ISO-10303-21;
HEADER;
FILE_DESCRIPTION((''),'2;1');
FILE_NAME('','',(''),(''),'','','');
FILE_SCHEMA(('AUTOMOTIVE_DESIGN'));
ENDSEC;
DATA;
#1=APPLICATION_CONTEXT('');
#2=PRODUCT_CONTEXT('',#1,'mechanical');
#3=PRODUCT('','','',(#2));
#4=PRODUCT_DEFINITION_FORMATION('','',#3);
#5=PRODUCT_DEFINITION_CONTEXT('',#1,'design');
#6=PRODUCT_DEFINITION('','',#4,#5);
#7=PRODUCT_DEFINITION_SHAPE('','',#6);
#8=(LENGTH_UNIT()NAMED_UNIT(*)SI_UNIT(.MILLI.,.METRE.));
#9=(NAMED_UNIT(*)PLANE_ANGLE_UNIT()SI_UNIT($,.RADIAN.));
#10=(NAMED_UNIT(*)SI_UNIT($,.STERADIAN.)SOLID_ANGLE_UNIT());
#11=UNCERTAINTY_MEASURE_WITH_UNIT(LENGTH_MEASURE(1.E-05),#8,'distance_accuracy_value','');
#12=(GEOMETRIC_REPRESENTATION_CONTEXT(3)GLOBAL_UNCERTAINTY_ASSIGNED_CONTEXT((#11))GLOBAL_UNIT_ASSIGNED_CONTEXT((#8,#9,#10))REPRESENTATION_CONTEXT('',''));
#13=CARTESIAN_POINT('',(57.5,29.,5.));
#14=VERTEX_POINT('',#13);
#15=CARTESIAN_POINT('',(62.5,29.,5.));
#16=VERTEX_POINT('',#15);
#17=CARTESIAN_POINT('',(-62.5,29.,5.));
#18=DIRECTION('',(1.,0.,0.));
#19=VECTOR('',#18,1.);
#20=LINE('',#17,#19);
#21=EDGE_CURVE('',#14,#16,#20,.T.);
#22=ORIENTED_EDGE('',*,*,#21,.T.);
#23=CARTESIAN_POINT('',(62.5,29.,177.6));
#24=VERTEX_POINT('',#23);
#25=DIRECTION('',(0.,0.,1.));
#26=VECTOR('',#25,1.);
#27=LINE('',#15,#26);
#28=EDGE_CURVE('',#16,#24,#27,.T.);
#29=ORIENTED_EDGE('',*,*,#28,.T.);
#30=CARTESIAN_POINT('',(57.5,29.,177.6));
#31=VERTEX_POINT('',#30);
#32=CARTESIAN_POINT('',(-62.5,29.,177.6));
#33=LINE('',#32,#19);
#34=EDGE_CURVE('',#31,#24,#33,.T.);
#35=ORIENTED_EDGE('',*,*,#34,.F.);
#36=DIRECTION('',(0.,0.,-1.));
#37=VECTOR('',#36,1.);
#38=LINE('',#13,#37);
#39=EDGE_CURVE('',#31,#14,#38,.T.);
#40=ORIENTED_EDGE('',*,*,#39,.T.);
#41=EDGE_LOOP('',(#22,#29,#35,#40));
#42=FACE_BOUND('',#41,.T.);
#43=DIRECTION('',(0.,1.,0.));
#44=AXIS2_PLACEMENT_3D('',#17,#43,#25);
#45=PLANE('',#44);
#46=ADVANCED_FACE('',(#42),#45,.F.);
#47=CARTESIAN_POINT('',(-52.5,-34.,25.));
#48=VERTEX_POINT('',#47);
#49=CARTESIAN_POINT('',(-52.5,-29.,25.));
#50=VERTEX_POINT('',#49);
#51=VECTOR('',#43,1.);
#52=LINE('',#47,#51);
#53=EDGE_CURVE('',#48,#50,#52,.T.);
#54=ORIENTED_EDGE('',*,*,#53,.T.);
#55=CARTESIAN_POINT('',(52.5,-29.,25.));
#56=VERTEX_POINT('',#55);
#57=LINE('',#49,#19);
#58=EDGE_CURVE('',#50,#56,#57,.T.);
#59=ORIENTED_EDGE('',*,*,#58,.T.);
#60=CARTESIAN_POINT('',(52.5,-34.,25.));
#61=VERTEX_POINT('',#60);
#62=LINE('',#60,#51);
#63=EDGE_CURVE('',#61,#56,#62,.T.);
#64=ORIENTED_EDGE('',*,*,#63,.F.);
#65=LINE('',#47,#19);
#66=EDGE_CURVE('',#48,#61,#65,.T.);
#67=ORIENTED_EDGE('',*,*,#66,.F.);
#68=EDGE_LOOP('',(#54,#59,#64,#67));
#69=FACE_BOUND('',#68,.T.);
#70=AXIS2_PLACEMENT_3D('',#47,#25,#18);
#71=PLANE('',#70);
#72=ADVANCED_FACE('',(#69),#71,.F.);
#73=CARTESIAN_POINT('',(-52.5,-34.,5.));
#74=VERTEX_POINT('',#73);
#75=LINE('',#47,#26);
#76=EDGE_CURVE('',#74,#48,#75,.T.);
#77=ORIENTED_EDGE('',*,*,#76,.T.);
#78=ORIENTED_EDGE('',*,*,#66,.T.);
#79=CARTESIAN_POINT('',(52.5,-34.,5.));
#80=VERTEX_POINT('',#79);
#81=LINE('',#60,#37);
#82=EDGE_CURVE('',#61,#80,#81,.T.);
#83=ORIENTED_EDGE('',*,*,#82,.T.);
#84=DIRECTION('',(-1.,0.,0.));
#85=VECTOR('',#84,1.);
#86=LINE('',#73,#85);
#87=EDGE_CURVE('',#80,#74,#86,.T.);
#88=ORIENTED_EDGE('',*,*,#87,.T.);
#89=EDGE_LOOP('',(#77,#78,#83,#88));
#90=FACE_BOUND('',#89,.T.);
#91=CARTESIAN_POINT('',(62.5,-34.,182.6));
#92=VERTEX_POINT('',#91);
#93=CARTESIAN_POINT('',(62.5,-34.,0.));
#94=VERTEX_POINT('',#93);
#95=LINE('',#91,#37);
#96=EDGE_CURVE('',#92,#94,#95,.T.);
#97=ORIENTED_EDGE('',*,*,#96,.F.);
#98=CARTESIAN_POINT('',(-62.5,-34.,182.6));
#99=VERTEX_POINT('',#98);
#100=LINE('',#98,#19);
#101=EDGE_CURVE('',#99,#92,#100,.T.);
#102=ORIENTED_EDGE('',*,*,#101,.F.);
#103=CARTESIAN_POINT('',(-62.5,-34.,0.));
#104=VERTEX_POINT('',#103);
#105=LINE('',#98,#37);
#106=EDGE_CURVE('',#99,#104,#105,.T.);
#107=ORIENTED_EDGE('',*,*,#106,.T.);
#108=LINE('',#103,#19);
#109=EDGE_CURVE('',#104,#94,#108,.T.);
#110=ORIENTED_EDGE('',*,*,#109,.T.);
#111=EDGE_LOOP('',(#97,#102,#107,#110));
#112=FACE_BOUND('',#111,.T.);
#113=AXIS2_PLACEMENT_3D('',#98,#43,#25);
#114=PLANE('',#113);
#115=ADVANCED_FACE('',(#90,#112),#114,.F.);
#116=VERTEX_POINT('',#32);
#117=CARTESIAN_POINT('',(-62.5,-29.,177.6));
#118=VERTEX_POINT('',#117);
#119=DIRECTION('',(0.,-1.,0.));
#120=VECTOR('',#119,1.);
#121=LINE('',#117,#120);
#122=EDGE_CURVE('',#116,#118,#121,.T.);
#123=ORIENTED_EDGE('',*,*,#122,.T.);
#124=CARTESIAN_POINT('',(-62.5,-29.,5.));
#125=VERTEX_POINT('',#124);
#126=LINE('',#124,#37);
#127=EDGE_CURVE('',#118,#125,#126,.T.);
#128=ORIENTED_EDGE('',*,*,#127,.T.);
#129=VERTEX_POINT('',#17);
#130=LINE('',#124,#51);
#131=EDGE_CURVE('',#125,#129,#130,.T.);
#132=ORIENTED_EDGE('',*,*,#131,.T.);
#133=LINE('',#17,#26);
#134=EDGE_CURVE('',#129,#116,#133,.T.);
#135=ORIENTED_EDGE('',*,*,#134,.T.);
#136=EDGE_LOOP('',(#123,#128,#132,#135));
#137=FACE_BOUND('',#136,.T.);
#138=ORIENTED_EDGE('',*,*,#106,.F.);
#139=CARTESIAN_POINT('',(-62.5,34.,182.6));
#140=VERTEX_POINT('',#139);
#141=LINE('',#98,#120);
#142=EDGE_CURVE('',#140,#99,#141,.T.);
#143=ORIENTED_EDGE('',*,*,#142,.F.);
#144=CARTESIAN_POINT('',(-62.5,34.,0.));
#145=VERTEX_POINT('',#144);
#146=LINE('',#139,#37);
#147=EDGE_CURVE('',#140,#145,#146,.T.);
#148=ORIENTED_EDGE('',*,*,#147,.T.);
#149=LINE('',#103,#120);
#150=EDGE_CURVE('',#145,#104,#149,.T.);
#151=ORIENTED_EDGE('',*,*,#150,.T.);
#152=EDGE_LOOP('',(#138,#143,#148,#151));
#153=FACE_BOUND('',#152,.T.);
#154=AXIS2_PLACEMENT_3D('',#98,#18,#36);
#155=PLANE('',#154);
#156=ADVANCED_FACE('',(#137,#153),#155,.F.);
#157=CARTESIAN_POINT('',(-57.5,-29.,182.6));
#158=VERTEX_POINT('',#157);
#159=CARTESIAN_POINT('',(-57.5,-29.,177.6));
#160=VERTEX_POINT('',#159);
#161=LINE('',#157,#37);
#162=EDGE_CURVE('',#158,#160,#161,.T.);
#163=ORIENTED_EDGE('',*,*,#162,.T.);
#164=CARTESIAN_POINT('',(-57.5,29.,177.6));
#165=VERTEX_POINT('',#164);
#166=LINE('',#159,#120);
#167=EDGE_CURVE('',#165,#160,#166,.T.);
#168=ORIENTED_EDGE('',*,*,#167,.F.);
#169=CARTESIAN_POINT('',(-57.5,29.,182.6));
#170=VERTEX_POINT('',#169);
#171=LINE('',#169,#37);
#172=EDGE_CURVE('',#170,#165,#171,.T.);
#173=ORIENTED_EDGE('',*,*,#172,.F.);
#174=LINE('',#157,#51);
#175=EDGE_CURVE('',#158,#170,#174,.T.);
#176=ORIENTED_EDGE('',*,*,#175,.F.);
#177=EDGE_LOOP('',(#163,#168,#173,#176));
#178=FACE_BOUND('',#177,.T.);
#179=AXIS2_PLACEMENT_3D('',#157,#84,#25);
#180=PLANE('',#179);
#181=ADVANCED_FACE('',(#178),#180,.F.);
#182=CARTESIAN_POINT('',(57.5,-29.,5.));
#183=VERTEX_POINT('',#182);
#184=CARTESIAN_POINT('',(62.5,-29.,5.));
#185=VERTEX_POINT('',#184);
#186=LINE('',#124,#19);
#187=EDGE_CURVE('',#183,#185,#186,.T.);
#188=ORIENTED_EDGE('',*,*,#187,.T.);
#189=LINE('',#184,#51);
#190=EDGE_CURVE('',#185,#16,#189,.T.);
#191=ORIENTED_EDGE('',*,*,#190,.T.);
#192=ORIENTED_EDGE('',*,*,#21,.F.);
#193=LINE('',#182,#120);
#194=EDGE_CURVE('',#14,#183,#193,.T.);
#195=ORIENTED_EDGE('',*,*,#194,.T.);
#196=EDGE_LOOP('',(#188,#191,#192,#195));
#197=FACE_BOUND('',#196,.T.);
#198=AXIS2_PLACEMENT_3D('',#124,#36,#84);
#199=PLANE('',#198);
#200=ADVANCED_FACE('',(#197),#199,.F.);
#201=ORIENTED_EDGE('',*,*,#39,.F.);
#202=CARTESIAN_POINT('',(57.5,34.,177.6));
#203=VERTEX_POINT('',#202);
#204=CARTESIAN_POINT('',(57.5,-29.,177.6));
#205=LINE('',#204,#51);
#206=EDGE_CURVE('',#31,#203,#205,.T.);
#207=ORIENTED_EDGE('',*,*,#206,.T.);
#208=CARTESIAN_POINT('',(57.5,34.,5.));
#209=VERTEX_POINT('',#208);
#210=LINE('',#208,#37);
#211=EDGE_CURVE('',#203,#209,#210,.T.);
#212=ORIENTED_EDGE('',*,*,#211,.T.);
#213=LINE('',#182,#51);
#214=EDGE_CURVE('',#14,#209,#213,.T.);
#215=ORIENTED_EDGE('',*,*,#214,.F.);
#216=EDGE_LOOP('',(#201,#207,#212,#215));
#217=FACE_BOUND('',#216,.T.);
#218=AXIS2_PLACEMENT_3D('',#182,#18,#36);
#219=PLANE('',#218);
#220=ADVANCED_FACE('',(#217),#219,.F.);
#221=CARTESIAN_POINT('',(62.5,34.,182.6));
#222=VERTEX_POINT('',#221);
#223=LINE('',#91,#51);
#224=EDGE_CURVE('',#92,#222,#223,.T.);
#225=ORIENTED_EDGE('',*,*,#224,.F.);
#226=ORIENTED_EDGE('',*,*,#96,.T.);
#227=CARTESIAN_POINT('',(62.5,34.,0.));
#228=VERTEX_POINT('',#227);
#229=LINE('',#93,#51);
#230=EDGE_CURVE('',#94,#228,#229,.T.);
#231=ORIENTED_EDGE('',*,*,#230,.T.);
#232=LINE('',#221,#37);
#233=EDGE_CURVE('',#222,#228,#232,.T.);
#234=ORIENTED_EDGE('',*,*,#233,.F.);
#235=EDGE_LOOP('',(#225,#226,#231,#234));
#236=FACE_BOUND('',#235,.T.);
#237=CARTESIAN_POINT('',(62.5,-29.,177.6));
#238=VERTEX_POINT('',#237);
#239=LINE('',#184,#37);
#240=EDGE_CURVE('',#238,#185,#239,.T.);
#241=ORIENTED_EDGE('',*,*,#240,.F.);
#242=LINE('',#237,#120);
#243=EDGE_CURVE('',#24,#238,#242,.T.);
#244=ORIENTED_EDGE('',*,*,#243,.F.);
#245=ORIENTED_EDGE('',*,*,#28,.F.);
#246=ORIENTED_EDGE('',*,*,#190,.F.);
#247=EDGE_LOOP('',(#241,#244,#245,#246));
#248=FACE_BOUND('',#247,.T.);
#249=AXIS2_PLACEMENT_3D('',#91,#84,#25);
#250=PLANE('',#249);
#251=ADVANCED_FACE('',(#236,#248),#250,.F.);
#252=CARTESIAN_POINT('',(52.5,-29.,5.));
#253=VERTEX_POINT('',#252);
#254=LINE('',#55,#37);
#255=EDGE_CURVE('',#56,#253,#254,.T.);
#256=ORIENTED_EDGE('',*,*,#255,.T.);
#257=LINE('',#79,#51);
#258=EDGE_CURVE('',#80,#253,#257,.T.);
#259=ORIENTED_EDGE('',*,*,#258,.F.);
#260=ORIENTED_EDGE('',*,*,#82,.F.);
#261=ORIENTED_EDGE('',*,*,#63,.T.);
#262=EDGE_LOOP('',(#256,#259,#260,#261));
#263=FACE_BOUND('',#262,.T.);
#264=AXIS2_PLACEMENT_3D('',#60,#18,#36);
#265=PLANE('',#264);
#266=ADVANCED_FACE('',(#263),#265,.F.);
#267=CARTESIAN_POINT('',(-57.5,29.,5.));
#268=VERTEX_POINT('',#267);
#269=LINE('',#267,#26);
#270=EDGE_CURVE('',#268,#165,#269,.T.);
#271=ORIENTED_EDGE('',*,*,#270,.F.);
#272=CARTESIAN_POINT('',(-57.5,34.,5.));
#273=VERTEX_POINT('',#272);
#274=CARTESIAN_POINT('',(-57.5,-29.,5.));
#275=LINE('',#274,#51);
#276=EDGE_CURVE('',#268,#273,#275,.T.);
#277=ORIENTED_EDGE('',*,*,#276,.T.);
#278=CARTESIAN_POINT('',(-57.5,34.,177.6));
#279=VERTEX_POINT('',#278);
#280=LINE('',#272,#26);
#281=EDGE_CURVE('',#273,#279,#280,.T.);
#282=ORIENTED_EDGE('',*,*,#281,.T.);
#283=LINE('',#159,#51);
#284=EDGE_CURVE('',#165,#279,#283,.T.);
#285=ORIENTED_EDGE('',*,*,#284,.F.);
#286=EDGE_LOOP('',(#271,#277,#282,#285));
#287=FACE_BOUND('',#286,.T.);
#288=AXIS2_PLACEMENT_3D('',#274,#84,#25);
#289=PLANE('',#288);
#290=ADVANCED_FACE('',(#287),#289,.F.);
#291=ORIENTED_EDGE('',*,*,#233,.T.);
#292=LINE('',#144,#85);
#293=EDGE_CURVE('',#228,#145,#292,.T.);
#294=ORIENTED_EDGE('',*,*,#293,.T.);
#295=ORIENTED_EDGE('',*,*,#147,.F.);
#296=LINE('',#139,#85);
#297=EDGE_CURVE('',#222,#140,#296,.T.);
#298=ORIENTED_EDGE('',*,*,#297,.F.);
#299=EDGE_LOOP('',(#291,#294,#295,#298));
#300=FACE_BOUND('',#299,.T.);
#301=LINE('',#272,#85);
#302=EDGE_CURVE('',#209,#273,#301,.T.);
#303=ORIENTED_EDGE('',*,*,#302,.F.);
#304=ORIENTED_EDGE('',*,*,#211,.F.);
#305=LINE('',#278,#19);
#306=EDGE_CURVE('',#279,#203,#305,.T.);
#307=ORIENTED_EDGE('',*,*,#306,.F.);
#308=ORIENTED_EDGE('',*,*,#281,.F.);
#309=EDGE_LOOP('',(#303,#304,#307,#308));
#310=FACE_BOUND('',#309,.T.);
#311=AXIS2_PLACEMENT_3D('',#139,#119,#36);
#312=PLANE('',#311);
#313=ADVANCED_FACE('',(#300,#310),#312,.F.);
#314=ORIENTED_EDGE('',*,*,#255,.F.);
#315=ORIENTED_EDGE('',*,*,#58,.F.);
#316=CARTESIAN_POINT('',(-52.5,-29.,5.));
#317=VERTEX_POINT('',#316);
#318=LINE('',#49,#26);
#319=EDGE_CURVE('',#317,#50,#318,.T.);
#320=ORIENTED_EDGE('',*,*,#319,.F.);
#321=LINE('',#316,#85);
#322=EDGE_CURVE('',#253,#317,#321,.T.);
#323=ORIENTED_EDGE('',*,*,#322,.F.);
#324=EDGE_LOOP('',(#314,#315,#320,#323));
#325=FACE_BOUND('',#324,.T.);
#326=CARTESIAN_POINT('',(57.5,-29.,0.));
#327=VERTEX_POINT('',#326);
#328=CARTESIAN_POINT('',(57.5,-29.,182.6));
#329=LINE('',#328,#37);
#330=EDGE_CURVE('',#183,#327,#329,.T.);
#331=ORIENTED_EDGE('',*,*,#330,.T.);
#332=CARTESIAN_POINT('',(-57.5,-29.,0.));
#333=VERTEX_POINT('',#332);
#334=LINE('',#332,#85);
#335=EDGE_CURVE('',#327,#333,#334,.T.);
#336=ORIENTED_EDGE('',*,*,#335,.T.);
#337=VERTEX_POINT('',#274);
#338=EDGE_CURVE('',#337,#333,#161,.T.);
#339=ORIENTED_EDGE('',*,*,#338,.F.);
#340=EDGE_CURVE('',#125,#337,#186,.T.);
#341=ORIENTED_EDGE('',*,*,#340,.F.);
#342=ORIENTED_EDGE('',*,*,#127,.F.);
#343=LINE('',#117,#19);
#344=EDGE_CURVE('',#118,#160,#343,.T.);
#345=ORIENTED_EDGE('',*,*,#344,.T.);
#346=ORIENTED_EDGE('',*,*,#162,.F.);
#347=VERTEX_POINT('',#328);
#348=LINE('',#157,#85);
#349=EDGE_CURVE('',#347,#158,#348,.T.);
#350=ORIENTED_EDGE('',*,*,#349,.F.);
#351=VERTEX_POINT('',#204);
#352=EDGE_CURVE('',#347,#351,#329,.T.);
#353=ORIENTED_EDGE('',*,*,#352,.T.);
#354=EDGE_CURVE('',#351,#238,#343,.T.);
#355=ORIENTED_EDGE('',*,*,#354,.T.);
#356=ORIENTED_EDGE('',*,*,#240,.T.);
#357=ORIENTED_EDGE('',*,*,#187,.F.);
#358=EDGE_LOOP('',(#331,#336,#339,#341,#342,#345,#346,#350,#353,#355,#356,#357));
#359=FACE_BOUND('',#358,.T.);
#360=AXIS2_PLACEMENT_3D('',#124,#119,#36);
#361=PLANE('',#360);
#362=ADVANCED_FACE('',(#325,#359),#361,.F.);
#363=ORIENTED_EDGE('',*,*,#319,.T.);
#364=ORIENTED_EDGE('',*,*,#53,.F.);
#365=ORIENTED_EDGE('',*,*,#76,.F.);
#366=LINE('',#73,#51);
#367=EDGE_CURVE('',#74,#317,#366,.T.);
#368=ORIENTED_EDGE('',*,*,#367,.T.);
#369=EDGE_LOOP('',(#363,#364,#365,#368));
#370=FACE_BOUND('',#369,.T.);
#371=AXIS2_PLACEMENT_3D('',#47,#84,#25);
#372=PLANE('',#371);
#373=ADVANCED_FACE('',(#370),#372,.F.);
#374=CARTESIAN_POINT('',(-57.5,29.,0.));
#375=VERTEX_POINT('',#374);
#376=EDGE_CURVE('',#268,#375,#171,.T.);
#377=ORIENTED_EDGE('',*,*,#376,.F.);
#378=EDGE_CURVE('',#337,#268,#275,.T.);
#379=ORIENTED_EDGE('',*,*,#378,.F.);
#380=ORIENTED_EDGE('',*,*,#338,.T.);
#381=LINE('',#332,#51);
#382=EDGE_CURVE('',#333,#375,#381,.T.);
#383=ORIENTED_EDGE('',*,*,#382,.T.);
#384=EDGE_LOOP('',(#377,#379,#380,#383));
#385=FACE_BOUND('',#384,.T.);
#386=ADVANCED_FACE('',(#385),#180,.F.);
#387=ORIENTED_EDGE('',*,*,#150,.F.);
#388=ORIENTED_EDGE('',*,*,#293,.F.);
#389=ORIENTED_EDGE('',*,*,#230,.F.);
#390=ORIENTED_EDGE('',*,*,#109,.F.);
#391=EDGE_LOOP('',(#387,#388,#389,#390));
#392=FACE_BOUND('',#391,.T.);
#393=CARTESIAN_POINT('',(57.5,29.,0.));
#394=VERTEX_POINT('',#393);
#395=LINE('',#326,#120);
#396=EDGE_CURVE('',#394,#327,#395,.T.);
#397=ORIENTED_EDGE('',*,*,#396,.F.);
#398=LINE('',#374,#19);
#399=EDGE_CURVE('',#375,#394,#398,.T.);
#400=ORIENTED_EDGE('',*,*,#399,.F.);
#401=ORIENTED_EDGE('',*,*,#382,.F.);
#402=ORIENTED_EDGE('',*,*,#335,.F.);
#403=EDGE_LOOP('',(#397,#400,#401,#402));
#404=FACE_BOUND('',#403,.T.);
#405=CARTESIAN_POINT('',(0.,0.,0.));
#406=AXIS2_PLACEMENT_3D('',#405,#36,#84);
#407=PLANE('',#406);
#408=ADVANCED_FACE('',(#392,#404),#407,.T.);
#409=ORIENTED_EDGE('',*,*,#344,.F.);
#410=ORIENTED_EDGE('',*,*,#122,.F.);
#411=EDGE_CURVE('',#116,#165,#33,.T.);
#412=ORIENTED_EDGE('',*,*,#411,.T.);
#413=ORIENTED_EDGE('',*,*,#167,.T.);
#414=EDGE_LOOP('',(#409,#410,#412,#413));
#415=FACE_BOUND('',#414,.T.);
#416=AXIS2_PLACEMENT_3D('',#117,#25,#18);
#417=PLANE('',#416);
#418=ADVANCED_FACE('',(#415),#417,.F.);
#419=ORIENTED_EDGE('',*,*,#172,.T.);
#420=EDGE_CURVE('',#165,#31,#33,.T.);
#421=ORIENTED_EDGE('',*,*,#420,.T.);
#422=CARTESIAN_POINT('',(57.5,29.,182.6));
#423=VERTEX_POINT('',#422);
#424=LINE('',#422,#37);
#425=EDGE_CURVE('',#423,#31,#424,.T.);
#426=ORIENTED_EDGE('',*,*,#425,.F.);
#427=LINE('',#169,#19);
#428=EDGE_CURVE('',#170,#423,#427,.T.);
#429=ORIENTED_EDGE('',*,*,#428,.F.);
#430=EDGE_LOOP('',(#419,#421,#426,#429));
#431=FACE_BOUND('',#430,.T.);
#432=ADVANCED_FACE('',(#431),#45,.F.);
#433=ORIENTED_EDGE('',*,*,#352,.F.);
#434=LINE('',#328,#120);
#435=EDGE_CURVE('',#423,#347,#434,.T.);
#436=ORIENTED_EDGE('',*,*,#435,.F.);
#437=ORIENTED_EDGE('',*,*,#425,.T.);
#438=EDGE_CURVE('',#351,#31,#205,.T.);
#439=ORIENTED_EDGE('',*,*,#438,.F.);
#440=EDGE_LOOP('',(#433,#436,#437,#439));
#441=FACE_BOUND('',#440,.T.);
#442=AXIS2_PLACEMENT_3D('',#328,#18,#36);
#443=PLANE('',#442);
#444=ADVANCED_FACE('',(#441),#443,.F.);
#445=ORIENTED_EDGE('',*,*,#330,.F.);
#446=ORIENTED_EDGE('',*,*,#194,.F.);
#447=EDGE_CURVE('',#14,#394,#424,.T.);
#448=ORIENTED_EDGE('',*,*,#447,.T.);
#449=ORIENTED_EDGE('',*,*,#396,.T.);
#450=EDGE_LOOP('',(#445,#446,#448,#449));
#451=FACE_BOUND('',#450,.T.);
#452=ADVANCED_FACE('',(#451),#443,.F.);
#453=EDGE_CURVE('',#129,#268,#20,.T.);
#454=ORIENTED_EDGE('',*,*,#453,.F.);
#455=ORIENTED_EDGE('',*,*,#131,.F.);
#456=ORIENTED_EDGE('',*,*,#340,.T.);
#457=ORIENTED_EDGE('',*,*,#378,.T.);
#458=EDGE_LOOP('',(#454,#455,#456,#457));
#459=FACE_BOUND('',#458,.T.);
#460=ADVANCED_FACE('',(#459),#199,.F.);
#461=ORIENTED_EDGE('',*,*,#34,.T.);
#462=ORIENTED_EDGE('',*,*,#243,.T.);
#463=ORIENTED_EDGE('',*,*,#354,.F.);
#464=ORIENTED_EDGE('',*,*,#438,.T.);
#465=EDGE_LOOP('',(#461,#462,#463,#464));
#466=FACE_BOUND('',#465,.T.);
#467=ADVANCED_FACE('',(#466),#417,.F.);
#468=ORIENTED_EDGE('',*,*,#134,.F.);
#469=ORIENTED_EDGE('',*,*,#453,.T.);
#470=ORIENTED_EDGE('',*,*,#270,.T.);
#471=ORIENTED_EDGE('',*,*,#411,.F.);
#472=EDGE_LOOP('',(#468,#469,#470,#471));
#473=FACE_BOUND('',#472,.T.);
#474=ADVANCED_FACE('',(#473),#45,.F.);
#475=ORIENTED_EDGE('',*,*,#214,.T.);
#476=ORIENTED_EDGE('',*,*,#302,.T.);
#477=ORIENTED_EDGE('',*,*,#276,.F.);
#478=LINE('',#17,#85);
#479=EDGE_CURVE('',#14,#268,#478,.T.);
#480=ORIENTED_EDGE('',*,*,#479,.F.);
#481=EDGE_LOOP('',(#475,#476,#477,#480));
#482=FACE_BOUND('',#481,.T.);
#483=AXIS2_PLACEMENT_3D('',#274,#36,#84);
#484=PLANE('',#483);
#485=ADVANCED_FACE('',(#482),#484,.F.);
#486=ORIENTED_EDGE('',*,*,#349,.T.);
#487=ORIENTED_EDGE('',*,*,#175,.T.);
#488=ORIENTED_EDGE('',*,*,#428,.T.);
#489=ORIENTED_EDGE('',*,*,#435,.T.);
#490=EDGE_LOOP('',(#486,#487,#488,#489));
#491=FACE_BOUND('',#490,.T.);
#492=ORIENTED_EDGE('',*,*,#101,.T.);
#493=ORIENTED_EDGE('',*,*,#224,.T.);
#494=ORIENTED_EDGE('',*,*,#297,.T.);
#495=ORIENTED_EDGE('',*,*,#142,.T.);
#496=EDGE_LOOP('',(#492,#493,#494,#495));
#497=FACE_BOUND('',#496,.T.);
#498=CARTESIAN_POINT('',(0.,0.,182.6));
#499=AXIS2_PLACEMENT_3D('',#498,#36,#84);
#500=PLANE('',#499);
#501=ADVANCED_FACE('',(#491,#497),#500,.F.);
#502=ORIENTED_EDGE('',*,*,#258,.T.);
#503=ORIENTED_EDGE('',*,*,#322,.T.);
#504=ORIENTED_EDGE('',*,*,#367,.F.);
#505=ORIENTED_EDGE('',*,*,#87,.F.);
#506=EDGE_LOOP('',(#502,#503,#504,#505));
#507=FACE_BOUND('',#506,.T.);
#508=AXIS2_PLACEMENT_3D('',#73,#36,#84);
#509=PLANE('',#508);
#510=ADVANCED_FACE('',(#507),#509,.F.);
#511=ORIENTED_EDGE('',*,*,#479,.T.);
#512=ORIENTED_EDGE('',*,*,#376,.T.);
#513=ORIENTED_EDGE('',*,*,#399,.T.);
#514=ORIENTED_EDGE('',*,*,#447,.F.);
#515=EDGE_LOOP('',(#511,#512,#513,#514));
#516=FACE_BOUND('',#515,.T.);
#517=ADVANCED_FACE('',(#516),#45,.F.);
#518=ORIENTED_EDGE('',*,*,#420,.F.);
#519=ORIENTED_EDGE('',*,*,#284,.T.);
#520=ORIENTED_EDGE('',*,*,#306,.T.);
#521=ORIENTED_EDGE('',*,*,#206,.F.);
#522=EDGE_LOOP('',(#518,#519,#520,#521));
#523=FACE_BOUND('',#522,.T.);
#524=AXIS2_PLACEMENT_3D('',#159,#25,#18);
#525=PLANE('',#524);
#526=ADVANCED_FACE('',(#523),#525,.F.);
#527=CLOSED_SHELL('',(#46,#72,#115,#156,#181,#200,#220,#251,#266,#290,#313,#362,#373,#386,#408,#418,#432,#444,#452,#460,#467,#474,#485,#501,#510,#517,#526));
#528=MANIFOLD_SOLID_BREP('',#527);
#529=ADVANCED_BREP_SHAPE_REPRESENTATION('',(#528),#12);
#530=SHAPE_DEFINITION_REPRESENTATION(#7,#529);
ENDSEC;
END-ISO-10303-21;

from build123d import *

# Parameters (mm, degrees)
SKETCH1_W           = 125
SKETCH1_H           = 68
BOSS_EXTRUDE1_DEPTH = 182.6
SKETCH2_W           = 172.6
SKETCH2_H           = 58
CUT_EXTRUDE1_DEPTH  = 126
SKETCH3_W           = 115
SKETCH3_H           = 58
CUT_EXTRUDE2_DEPTH  = 183.6
SKETCH4_W           = 115
SKETCH4_H           = 172.6
CUT_EXTRUDE3_DEPTH  = 63
SKETCH5_W           = 105
SKETCH5_H           = 20
CUT_EXTRUDE4_DEPTH  = 6


with BuildPart() as part:
    # Sketch1 → Boss-Extrude1 (new body)
    with BuildSketch(Plane.XY):
        Rectangle(SKETCH1_W, SKETCH1_H)
    extrude(amount=BOSS_EXTRUDE1_DEPTH)

    # Sketch2 → Cut-Extrude1 (cut, through all)
    with BuildSketch(Plane(origin=(62.5, 0, 0), x_dir=(0, 0, -1), z_dir=(1, 0, 0))):
        with Locations((-91.3, 0)):
            Rectangle(SKETCH2_W, SKETCH2_H)
    extrude(amount=-CUT_EXTRUDE1_DEPTH, mode=Mode.SUBTRACT)

    # Sketch3 → Cut-Extrude2 (cut, through all)
    with BuildSketch(Plane(origin=(0, 0, 0), x_dir=(-1, 0, 0), z_dir=(0, 0, -1))):
        Rectangle(SKETCH3_W, SKETCH3_H)
    extrude(amount=-CUT_EXTRUDE2_DEPTH, mode=Mode.SUBTRACT)

    # Sketch4 → Cut-Extrude3 (cut)
    with BuildSketch(Plane(origin=(0, 34, 0), x_dir=(1, 0, 0), z_dir=(0, 1, 0))):
        with Locations((0, -91.3)):
            Rectangle(SKETCH4_W, SKETCH4_H)
    extrude(amount=-CUT_EXTRUDE3_DEPTH, mode=Mode.SUBTRACT)

    # Sketch5 → Cut-Extrude4 (cut, through all)
    with BuildSketch(Plane(origin=(0, -29, 0), x_dir=(1, 0, 0), z_dir=(0, 1, 0))):
        with Locations((0, -15)):
            Rectangle(SKETCH5_W, SKETCH5_H)
    extrude(amount=-CUT_EXTRUDE4_DEPTH, mode=Mode.SUBTRACT)


solid = part.part
